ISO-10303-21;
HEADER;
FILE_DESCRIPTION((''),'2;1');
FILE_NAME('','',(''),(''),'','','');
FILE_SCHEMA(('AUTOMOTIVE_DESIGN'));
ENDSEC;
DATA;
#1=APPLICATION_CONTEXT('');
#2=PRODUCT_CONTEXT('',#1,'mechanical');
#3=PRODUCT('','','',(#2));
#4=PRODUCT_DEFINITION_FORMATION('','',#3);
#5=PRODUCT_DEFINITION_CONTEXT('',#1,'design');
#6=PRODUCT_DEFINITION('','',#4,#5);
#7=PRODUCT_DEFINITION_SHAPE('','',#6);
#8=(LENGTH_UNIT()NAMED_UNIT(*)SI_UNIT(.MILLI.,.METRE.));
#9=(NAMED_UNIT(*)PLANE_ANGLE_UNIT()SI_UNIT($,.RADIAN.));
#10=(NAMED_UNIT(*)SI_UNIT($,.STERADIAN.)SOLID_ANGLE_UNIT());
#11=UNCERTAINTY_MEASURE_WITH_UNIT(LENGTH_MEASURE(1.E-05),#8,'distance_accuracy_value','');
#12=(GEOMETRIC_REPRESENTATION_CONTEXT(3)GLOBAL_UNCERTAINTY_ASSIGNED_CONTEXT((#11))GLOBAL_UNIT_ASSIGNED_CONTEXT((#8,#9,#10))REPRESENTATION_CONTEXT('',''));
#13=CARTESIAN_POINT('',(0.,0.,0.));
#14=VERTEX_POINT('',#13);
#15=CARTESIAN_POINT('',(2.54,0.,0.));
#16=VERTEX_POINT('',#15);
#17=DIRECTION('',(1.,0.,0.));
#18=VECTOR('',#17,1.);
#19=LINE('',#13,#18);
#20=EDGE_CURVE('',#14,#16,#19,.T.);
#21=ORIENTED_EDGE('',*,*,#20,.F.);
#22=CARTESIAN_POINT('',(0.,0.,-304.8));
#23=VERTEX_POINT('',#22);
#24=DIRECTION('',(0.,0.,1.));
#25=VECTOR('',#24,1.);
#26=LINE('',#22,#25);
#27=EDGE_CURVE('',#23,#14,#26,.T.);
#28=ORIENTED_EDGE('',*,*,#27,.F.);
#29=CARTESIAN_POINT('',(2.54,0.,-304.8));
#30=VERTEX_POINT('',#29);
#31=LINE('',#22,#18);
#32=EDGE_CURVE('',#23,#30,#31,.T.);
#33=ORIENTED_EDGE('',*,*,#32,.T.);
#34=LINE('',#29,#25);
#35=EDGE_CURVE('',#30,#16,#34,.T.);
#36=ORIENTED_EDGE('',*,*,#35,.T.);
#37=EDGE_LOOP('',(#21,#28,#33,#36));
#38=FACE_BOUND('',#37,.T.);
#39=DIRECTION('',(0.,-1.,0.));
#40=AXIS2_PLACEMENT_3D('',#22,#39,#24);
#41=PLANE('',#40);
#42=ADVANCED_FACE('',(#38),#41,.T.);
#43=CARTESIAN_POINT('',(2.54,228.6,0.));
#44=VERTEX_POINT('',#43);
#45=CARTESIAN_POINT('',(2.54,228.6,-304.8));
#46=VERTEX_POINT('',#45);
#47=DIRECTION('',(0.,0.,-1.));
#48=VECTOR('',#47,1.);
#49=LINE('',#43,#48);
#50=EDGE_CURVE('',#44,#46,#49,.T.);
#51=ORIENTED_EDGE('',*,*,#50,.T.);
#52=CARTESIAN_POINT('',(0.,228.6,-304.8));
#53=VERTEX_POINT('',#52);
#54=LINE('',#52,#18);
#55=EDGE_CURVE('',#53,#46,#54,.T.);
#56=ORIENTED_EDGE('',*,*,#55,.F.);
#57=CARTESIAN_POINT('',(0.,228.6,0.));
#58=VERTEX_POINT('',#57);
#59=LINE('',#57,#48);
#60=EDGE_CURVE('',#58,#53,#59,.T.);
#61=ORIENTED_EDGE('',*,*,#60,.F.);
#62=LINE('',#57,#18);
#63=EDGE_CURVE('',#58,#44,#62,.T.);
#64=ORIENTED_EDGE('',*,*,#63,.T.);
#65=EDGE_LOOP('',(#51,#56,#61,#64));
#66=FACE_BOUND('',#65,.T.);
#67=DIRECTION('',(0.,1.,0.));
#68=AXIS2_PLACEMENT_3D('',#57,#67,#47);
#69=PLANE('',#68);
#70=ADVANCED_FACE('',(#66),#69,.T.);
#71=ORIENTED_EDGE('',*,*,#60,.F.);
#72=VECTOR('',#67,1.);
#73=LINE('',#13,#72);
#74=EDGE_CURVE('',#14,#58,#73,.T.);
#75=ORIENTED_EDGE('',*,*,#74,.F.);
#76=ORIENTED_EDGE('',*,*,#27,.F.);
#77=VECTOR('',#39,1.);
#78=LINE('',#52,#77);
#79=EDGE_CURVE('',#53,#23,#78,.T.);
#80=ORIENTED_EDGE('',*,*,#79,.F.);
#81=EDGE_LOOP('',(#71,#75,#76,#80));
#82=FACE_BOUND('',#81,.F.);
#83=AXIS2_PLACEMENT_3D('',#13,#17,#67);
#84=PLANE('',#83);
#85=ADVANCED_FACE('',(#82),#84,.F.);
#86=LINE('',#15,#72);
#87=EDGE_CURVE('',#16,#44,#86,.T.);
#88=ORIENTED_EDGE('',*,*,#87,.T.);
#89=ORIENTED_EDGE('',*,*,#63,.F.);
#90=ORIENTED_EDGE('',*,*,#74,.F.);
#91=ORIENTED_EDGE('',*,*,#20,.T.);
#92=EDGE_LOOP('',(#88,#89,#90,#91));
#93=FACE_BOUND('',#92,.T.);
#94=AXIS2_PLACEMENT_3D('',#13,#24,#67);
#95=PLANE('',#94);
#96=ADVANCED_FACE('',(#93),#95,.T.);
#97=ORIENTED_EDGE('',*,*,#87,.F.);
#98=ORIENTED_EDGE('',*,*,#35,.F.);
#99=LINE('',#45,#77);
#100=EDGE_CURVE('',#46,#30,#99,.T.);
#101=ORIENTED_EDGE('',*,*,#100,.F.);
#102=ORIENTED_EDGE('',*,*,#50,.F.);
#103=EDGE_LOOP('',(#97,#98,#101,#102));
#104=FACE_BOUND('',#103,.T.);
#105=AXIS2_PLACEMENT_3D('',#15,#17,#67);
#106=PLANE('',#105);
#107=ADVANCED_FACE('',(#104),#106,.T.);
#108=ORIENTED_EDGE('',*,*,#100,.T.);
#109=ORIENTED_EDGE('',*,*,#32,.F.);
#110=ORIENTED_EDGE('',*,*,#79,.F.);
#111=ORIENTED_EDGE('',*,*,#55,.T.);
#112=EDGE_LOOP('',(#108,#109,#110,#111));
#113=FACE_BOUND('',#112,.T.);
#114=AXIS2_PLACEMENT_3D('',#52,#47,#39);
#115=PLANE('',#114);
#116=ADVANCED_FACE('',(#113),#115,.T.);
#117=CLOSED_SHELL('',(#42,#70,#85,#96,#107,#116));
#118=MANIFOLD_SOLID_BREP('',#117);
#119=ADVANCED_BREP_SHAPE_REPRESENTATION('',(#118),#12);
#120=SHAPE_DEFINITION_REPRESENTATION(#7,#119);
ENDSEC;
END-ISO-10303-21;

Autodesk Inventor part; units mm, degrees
ref_plane "YZ Plane" through (0, 0, 0) normal (1, 0, 0) x (0, 1, 0)
ref_plane "XZ Plane" through (0, 0, 0) normal (0, 1, 0) x (-1, 0, 0)
ref_plane "XY Plane" through (0, 0, 0) normal (0, 0, 1) x (1, 0, 0)
sketch "Náčrt1" plane through (0, 0, 0) normal (1, 0, 0) x (0, 1, 0)
  line L0 (0, 0) -> (228.6, 0)
  line L1 (228.6, 0) -> (228.6, -304.8)
  line L2 (228.6, -304.8) -> (0, -304.8)
  line L3 (0, -304.8) -> (0, 0)
  dimension "d0" = 228.6
  dimension "d1" = 304.8
extrude "Vysunutí1" add sketch "Náčrt1" along normal blind 2.54
equation "\"d0\" = width"
equation "\"d1\" = length"
equation "\"d2\" = gPcbThickness"
equation "\"length\" = 304.8"
equation "\"width\" = 228.6"
equation "\"gPcbThickness\" = 2.54"
properties part number "PCB#01" material "LCP plast"
